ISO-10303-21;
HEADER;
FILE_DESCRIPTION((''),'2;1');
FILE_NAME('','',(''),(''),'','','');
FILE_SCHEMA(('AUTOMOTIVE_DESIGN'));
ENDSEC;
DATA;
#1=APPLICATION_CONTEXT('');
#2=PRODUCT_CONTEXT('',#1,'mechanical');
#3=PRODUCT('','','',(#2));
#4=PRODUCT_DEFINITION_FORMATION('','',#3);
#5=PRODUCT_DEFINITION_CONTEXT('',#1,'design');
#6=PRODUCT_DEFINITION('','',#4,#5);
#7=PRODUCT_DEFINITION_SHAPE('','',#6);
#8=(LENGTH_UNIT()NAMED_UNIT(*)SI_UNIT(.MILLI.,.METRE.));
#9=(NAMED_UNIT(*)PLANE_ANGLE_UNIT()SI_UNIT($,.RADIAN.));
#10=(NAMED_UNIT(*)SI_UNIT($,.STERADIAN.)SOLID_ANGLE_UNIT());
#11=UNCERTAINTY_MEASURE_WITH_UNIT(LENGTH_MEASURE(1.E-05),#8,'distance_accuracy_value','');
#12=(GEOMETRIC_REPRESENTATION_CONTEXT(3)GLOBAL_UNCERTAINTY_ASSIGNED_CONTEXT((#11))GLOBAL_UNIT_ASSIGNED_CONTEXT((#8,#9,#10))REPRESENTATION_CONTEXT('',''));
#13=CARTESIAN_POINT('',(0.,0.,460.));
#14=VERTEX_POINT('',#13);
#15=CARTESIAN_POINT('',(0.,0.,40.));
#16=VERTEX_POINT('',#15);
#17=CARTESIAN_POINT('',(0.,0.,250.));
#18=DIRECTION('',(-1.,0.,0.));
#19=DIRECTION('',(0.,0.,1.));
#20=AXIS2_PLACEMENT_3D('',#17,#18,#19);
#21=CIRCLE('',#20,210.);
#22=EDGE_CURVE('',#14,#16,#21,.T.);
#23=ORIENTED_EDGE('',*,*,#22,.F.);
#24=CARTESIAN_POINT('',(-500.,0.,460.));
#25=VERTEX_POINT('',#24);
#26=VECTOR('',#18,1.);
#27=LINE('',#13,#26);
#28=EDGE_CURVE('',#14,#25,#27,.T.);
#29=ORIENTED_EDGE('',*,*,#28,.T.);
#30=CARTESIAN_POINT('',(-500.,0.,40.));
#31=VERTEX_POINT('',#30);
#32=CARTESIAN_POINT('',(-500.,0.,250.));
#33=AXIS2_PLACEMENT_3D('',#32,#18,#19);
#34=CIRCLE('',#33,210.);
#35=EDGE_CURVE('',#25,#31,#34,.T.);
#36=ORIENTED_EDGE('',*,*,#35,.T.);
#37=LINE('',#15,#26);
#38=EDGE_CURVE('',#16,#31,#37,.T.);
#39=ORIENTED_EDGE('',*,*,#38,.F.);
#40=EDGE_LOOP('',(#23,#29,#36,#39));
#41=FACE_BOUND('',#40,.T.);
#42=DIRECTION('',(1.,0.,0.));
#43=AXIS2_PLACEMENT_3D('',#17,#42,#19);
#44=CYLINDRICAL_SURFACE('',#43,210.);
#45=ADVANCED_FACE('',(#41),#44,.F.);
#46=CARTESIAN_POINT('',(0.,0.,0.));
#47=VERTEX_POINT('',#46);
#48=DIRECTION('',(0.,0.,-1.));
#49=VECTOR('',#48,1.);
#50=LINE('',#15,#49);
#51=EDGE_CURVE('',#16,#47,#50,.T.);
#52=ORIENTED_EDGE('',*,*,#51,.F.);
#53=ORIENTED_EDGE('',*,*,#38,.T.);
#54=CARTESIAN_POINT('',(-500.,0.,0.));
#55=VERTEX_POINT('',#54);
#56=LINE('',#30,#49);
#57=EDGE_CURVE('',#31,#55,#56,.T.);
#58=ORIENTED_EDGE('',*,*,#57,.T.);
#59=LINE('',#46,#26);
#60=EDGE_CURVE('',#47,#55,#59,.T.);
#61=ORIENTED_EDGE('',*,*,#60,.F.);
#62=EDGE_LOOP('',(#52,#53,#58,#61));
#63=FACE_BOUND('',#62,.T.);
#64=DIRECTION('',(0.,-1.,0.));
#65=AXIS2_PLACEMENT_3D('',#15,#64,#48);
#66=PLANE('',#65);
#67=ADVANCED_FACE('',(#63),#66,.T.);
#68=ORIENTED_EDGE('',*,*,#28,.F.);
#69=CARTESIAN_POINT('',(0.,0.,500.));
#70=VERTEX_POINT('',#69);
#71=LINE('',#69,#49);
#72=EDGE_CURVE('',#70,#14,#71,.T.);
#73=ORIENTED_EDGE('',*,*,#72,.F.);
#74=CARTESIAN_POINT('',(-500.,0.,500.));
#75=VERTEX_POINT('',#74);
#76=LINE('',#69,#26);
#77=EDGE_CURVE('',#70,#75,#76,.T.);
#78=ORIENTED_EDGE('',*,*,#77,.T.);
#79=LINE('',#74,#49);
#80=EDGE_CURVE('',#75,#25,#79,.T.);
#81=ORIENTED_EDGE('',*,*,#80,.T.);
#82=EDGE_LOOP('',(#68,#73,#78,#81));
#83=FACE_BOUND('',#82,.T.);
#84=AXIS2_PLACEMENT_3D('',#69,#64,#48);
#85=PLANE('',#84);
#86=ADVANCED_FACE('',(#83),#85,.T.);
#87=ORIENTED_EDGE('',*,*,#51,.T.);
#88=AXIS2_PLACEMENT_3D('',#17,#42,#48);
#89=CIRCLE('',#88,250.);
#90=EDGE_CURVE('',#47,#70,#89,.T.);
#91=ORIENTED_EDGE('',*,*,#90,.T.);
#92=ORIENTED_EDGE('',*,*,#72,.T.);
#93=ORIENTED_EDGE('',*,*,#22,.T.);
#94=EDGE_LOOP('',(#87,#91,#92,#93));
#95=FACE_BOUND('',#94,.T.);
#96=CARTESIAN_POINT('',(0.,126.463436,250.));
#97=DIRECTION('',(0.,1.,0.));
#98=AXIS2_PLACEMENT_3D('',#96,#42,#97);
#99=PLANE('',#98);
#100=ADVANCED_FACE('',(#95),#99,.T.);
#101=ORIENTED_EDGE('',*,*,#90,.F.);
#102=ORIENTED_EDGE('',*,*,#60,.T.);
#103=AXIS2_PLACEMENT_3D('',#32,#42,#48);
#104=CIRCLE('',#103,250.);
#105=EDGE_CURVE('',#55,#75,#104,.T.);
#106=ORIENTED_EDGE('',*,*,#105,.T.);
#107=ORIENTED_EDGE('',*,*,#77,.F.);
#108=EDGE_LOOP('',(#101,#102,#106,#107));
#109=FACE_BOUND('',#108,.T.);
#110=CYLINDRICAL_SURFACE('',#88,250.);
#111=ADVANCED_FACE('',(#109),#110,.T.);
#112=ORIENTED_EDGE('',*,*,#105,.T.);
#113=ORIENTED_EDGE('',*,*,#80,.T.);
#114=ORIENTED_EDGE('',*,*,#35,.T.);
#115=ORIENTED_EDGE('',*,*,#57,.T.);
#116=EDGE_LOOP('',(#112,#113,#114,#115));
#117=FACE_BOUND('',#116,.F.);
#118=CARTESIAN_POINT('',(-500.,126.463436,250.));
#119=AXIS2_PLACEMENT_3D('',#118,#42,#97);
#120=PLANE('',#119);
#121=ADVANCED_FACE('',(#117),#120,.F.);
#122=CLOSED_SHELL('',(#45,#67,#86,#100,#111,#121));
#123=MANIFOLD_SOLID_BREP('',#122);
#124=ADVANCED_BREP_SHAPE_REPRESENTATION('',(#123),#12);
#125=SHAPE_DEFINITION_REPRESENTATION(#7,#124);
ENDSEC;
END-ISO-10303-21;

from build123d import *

# Parameters (mm, degrees)
F1_DEPTH = 500


with BuildPart() as f1:
    # F0 (on Right) → F1 (new body)
    with BuildSketch(Plane.YZ):
        with BuildLine():
            ThreePointArc((0, 0), (250, 250), (0, 500))
            Line((0, 500), (0, 460))
            ThreePointArc((0, 460), (210, 250), (0, 40))
            Line((0, 40), (0, 0))
        make_face()
    extrude(amount=-F1_DEPTH)


solid = f1.part
